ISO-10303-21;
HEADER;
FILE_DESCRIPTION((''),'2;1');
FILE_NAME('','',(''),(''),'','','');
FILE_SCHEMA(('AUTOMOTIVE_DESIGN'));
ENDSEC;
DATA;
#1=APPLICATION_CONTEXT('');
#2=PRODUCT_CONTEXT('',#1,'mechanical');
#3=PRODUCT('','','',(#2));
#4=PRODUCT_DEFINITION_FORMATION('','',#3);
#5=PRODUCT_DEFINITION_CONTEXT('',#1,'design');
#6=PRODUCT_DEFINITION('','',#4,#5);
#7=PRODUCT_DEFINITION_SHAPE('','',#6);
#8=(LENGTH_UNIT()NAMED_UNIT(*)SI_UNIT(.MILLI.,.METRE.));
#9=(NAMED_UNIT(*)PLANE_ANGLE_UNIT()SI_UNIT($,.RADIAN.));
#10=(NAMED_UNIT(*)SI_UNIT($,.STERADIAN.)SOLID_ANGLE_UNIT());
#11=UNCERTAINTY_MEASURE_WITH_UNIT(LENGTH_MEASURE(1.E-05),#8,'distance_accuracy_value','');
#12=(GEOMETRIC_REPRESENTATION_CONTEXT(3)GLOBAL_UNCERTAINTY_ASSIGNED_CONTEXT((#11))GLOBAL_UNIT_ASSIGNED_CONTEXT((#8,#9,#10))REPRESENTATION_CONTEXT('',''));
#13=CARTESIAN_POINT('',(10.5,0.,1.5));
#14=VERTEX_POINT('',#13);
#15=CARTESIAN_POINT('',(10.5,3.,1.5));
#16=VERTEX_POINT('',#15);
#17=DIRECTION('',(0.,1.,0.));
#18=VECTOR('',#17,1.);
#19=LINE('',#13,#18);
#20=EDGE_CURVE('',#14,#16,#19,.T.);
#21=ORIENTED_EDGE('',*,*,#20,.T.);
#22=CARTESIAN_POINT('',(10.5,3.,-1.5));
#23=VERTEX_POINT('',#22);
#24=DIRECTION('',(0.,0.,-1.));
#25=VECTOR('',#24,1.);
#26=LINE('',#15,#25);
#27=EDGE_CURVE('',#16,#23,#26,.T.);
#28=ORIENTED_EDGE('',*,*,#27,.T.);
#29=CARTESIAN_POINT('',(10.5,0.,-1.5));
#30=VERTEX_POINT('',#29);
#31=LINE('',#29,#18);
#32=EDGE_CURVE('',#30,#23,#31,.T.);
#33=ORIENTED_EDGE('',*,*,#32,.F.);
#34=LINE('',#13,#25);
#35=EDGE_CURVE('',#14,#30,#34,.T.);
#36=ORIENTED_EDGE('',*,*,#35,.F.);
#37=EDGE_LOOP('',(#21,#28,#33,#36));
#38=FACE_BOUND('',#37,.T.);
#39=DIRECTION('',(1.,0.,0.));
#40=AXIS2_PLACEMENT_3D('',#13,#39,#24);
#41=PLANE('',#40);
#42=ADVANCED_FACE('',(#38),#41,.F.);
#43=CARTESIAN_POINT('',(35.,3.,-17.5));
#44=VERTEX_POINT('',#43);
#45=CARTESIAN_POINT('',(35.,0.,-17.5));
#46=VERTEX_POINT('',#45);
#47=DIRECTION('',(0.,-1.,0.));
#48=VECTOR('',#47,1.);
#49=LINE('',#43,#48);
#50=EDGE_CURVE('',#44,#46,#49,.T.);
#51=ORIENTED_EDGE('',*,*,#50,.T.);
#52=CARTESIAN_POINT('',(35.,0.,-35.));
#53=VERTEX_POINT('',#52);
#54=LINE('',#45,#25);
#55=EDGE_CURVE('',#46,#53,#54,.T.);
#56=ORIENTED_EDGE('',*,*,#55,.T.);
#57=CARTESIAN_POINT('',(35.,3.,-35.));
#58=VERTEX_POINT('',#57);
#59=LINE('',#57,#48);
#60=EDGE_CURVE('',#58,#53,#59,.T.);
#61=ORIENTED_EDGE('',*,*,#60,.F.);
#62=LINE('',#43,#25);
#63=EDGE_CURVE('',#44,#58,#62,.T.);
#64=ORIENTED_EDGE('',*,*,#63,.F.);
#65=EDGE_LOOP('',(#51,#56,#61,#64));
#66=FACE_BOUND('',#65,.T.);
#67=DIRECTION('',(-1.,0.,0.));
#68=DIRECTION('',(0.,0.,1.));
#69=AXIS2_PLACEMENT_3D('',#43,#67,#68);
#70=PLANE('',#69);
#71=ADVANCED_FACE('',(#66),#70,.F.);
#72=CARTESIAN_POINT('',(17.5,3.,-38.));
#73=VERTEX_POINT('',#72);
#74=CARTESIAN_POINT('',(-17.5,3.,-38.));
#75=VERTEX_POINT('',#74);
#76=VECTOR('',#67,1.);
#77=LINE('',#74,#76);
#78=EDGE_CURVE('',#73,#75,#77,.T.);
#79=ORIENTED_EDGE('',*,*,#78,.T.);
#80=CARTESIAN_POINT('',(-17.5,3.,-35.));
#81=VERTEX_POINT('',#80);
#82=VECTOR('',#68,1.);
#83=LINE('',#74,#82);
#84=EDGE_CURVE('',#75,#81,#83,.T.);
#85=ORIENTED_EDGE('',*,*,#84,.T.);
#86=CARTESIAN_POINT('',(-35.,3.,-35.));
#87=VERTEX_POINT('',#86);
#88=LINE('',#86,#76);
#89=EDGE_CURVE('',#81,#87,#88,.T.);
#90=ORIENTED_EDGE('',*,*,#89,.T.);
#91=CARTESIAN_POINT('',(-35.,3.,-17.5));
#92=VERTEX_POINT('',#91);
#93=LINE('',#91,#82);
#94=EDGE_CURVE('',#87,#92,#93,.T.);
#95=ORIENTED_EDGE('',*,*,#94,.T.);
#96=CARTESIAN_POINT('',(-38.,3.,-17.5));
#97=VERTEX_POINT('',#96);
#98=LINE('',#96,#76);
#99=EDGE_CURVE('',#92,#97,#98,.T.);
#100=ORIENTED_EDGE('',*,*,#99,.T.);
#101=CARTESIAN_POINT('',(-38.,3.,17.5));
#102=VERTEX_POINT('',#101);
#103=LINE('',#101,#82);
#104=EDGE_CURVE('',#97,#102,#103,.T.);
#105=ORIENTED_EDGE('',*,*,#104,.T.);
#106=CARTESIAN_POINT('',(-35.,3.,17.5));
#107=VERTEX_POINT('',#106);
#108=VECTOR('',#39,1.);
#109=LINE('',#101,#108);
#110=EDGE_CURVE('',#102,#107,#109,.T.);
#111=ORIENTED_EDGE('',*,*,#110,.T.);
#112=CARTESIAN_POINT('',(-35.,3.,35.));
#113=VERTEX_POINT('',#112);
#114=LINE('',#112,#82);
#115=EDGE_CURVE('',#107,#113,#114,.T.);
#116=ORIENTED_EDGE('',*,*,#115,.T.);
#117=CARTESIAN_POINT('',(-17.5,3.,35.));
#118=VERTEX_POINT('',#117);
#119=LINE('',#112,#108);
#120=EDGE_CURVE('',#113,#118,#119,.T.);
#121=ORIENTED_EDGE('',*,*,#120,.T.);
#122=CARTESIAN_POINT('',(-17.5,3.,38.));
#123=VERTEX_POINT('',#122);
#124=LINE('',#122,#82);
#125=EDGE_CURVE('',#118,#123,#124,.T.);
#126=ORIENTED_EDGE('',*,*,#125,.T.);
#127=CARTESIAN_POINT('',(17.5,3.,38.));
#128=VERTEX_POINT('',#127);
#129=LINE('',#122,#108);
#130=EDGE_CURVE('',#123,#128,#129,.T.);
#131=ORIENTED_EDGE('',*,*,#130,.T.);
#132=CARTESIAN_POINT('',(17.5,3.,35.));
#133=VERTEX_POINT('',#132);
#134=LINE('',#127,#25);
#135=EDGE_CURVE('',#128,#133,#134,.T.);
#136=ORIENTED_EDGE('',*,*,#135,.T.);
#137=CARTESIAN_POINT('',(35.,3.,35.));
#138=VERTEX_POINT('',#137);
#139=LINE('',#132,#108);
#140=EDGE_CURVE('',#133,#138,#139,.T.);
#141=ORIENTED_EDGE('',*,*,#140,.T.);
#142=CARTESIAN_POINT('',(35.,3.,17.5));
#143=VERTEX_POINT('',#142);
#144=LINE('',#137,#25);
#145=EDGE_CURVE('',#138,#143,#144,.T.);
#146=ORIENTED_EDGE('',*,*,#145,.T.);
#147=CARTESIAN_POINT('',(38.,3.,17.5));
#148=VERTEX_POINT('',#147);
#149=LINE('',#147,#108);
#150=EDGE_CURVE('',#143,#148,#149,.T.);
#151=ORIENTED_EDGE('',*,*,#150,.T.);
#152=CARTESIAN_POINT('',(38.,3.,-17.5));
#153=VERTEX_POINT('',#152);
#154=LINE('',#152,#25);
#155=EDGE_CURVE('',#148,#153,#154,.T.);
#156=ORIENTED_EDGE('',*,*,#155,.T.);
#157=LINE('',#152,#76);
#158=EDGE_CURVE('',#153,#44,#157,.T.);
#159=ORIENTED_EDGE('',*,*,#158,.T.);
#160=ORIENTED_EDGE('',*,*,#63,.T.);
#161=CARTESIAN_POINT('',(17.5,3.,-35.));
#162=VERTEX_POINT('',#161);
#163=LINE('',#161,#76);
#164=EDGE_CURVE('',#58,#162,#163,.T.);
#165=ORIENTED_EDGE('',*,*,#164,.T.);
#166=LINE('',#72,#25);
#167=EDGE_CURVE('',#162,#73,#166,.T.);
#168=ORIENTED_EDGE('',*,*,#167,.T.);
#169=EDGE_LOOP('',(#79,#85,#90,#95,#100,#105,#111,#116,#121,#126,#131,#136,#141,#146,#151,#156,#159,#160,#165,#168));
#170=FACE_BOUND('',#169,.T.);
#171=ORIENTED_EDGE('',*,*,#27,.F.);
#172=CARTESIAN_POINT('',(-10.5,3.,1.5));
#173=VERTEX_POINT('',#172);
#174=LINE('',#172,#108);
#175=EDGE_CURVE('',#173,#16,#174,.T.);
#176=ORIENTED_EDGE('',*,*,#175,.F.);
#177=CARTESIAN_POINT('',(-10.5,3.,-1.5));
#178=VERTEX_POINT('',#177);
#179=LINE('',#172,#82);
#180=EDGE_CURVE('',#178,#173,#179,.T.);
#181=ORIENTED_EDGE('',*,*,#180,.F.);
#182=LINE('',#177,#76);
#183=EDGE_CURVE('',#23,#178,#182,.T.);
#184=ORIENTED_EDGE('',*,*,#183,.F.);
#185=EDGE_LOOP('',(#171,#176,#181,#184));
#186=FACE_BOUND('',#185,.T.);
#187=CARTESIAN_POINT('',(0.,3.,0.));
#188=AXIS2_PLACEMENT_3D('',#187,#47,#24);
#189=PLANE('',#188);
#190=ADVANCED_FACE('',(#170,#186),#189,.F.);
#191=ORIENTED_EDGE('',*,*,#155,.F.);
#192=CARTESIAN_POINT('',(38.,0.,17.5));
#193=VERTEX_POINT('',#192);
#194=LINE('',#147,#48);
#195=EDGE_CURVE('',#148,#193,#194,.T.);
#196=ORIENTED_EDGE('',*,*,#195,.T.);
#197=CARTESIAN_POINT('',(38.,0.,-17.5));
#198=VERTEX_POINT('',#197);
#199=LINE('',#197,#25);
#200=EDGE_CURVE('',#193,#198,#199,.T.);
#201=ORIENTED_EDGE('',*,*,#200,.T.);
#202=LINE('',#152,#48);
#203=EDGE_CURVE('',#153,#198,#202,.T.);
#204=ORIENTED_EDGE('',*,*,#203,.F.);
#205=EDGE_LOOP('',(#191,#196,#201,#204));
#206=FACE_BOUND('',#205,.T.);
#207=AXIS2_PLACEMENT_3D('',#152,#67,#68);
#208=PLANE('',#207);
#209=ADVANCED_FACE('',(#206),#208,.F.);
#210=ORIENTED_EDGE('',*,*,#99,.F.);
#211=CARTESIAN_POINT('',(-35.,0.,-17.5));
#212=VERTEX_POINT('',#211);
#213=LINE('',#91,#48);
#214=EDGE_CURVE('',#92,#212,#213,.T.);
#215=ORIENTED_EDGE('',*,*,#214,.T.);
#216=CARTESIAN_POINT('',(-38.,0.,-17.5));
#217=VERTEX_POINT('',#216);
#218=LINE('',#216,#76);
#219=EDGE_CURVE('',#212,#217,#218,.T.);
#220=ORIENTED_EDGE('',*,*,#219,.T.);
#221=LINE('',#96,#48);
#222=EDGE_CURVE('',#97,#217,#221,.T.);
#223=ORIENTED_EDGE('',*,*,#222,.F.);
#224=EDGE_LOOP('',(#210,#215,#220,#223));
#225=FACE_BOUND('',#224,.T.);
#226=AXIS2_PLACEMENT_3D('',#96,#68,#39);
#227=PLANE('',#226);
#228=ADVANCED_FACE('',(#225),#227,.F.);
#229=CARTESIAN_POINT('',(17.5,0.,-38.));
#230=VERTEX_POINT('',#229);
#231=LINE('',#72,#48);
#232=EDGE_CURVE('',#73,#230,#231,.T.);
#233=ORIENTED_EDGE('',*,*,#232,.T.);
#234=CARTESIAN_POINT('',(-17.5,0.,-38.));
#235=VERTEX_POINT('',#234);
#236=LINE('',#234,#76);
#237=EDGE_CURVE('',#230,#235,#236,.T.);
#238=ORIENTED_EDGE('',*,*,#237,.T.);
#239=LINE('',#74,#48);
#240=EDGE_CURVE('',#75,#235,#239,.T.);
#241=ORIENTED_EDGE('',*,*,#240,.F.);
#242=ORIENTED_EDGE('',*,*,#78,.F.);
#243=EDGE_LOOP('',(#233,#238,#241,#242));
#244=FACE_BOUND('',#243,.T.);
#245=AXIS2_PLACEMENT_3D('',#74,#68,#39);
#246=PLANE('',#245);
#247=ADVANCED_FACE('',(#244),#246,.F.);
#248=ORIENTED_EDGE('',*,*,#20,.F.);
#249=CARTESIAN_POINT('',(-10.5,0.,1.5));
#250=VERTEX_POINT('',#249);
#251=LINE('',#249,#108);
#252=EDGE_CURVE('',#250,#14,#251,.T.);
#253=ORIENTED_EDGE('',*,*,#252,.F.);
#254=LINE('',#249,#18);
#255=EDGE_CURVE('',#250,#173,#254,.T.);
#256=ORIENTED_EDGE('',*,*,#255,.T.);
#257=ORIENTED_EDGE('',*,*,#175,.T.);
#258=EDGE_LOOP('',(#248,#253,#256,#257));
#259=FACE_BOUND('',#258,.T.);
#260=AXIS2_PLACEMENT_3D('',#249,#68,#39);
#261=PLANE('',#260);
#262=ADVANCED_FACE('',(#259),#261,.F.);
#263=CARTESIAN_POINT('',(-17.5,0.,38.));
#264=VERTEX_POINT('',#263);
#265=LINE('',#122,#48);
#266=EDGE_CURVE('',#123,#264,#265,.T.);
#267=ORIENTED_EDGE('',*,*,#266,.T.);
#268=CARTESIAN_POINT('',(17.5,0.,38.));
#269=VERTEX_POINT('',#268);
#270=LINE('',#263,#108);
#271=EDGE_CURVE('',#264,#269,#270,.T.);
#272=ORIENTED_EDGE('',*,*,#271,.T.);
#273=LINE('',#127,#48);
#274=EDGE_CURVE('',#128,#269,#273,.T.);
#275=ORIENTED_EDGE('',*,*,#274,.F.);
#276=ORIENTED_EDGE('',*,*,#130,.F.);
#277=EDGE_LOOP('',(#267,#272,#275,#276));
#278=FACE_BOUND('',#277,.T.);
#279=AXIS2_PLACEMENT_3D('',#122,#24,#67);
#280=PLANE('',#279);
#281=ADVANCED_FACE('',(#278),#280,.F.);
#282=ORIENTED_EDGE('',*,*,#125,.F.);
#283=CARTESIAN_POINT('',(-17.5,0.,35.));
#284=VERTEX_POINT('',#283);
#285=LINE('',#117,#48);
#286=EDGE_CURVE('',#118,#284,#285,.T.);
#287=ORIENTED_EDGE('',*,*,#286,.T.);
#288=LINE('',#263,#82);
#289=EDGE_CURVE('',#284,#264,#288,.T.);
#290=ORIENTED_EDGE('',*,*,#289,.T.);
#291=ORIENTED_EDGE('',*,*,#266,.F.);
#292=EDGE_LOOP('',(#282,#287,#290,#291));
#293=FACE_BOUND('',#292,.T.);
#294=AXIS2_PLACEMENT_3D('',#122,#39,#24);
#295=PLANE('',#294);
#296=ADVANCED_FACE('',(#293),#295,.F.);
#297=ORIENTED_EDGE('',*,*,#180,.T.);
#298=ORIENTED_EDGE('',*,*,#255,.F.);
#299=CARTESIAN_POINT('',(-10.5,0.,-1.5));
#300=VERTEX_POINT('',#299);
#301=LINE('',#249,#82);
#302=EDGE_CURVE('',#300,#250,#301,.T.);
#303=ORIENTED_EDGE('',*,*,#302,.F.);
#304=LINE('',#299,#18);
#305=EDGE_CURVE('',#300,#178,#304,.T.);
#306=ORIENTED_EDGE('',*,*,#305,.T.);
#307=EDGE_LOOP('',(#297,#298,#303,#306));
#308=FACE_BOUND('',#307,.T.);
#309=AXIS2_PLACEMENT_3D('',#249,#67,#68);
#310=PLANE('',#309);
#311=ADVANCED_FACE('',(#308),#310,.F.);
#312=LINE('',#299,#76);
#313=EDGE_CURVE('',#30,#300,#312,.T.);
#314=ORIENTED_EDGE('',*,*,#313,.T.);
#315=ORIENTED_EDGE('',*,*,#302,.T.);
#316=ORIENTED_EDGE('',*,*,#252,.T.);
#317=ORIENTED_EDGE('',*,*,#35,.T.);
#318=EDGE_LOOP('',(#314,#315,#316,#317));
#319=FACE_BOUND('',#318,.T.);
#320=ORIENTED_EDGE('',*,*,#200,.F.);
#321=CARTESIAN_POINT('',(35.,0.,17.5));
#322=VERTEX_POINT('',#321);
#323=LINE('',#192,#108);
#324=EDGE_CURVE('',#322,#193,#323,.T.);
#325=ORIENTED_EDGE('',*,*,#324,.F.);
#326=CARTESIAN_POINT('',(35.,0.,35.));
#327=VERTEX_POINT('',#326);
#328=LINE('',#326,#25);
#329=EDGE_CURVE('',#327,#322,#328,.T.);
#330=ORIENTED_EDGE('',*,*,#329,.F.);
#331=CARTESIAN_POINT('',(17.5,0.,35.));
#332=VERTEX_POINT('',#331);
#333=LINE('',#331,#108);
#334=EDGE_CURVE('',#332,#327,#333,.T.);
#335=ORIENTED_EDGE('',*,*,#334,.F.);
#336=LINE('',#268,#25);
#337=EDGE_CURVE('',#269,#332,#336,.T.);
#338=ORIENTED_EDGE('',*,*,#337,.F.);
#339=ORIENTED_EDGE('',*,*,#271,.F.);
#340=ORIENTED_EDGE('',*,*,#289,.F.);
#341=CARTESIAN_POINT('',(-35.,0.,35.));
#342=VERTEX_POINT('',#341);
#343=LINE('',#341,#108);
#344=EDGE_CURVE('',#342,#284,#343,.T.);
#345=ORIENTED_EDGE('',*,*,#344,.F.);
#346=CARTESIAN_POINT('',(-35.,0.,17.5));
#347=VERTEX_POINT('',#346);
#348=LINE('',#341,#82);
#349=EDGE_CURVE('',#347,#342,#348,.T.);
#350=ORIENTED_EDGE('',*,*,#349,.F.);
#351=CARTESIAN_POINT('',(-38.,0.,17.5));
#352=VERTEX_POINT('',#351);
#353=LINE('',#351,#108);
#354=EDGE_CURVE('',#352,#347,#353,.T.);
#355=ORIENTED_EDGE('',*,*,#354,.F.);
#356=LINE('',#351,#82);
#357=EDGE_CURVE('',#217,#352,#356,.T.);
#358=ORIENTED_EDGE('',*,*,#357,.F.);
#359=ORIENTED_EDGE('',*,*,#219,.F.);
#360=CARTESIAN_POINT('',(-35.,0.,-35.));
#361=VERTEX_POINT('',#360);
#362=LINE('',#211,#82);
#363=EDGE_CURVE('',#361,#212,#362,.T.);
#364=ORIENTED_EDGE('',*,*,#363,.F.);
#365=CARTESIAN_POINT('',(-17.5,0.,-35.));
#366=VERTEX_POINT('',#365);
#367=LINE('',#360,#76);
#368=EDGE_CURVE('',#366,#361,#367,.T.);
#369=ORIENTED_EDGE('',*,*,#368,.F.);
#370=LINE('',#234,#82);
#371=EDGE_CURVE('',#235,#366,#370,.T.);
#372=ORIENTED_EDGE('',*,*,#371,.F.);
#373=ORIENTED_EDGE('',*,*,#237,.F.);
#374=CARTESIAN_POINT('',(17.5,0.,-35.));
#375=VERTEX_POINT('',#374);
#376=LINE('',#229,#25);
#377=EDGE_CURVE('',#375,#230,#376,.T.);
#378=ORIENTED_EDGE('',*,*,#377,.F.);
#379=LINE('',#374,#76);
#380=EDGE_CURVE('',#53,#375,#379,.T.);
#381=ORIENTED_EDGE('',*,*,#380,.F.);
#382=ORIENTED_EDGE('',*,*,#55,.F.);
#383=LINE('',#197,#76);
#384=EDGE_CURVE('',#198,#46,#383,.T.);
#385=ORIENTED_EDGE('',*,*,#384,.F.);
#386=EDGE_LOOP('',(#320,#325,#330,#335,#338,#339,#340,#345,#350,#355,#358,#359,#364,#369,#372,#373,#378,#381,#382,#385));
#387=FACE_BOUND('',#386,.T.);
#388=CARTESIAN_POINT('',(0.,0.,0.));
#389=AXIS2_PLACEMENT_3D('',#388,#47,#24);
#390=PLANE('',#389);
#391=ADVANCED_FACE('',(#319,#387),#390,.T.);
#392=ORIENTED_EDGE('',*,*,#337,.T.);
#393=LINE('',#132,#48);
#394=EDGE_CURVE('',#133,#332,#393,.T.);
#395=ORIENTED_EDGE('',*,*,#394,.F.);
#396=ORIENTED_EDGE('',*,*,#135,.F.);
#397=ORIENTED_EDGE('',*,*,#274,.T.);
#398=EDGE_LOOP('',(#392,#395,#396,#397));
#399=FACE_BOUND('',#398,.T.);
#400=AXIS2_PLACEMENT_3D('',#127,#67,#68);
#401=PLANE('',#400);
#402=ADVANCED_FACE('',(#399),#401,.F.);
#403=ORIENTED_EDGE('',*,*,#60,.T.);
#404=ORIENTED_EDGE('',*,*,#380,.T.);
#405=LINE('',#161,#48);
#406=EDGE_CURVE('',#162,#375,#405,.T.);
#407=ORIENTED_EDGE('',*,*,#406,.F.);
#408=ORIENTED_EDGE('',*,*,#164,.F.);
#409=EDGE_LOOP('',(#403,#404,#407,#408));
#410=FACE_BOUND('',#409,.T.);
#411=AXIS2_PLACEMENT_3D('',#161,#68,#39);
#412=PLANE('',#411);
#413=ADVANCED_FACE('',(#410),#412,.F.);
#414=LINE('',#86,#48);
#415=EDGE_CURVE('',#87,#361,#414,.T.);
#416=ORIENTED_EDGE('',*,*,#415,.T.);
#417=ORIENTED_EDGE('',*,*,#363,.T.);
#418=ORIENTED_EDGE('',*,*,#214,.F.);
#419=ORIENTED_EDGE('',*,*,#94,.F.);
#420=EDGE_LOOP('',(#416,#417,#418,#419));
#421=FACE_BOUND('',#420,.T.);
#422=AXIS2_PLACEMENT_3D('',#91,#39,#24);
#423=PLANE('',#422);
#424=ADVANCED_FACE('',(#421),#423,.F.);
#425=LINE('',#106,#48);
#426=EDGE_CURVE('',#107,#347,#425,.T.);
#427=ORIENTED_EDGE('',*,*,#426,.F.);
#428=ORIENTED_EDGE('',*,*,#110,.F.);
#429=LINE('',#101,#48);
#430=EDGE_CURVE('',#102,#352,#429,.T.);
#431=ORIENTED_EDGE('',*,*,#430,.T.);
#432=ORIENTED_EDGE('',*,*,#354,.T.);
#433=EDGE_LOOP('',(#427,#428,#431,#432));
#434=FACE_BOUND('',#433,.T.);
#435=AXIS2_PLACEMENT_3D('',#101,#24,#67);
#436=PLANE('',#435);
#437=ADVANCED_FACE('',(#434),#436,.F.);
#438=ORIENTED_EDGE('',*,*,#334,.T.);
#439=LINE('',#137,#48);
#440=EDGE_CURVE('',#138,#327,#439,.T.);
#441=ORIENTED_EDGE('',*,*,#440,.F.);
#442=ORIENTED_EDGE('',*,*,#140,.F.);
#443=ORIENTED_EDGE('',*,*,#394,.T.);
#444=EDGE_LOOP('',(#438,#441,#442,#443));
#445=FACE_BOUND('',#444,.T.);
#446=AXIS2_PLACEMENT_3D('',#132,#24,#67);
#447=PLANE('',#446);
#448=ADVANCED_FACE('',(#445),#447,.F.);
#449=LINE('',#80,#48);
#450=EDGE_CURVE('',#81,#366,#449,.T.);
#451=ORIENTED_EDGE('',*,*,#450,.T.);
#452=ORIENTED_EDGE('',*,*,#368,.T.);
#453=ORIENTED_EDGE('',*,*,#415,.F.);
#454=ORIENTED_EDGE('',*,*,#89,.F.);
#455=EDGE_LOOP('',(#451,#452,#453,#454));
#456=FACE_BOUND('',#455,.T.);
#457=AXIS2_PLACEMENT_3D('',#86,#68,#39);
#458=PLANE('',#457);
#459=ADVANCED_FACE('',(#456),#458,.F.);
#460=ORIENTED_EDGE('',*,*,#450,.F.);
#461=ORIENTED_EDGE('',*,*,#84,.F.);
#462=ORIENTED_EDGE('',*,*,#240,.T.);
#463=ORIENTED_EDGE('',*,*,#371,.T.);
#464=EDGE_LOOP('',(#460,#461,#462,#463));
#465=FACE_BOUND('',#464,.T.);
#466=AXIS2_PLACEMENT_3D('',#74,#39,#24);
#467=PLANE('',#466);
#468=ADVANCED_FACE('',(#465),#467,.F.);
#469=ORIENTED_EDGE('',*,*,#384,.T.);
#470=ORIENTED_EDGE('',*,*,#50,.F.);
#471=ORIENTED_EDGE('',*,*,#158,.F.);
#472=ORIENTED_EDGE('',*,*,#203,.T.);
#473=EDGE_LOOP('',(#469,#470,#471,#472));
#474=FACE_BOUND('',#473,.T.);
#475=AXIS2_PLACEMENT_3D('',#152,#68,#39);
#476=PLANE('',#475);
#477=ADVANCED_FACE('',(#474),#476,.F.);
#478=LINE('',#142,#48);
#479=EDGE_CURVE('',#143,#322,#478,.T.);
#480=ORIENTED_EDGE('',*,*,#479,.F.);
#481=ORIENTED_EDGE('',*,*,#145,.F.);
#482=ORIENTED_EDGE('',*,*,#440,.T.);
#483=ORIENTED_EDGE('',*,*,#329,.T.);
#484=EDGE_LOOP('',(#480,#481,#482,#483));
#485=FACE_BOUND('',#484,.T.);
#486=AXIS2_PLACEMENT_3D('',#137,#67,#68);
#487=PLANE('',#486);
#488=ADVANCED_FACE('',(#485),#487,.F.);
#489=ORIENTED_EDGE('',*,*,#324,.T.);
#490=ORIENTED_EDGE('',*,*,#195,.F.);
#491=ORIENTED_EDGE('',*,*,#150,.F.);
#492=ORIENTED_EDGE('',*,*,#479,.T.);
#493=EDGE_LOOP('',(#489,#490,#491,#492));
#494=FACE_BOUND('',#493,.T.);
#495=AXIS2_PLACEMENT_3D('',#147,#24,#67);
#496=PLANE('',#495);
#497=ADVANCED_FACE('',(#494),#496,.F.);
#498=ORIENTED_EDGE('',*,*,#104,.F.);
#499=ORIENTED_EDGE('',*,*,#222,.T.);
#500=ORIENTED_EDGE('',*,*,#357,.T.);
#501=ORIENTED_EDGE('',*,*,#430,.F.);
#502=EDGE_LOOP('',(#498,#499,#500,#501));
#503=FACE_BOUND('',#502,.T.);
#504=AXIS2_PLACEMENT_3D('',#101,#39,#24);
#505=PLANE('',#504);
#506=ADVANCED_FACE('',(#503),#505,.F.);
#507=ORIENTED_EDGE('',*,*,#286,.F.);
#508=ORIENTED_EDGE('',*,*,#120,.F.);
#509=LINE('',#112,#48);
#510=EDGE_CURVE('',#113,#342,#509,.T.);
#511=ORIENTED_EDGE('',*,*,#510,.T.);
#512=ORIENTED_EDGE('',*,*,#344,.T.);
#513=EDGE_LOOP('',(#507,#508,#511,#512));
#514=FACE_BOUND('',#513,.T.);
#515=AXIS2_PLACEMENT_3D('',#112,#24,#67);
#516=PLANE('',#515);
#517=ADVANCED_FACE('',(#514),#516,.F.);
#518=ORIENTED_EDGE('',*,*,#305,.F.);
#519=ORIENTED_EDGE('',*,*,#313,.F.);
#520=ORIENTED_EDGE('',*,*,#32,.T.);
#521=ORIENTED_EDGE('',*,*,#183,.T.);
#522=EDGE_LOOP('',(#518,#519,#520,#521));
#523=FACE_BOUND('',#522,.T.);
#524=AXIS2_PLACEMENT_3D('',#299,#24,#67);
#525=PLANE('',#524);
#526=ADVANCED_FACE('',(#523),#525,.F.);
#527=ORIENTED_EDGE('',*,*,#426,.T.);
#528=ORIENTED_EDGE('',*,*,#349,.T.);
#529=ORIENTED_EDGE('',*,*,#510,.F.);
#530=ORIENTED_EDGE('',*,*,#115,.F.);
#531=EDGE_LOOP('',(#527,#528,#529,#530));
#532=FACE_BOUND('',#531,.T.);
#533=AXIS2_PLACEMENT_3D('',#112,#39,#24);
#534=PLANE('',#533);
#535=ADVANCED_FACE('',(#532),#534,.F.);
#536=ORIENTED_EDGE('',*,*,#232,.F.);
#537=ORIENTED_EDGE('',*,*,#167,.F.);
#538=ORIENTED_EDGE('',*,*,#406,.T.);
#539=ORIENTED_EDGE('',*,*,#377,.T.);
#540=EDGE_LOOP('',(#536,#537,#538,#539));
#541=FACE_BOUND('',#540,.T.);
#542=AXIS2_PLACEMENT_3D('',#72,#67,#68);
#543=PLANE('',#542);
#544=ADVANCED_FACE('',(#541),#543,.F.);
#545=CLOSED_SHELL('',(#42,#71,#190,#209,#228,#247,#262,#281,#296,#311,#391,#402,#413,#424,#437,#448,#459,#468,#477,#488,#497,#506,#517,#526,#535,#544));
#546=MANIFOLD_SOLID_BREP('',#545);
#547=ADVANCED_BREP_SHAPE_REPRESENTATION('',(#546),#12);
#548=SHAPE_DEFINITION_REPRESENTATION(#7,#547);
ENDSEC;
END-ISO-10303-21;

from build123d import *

# Parameters (mm, degrees)
BOSS_EXTRUDE1_DEPTH = 3
SKETCH2_W           = 21
SKETCH2_H           = 3
CUT_EXTRUDE1_DEPTH  = 3


with BuildPart() as part:
    # Sketch1 → Boss-Extrude1 (new body)
    with BuildSketch(Plane(origin=(0, 0, 0), x_dir=(1, 0, 0), z_dir=(0, 1, 0))):
        Polygon((-35, -35), (-17.5, -35), (-17.5, -38), (17.5, -38), (17.5, -35), (35, -35), (35, -17.5), (38, -17.5), (38, 17.5), (35, 17.5), (35, 35), (17.5, 35), (17.5, 38), (-17.5, 38), (-17.5, 35), (-35, 35), (-35, 17.5), (-38, 17.5), (-38, -17.5), (-35, -17.5), align=None)
    extrude(amount=BOSS_EXTRUDE1_DEPTH)

    # Sketch2 → Cut-Extrude1 (cut)
    with BuildSketch(Plane(origin=(0, 3, 0), x_dir=(1, 0, 0), z_dir=(0, 1, 0))):
        Rectangle(SKETCH2_W, SKETCH2_H)
    extrude(amount=-CUT_EXTRUDE1_DEPTH, mode=Mode.SUBTRACT)


solid = part.part
